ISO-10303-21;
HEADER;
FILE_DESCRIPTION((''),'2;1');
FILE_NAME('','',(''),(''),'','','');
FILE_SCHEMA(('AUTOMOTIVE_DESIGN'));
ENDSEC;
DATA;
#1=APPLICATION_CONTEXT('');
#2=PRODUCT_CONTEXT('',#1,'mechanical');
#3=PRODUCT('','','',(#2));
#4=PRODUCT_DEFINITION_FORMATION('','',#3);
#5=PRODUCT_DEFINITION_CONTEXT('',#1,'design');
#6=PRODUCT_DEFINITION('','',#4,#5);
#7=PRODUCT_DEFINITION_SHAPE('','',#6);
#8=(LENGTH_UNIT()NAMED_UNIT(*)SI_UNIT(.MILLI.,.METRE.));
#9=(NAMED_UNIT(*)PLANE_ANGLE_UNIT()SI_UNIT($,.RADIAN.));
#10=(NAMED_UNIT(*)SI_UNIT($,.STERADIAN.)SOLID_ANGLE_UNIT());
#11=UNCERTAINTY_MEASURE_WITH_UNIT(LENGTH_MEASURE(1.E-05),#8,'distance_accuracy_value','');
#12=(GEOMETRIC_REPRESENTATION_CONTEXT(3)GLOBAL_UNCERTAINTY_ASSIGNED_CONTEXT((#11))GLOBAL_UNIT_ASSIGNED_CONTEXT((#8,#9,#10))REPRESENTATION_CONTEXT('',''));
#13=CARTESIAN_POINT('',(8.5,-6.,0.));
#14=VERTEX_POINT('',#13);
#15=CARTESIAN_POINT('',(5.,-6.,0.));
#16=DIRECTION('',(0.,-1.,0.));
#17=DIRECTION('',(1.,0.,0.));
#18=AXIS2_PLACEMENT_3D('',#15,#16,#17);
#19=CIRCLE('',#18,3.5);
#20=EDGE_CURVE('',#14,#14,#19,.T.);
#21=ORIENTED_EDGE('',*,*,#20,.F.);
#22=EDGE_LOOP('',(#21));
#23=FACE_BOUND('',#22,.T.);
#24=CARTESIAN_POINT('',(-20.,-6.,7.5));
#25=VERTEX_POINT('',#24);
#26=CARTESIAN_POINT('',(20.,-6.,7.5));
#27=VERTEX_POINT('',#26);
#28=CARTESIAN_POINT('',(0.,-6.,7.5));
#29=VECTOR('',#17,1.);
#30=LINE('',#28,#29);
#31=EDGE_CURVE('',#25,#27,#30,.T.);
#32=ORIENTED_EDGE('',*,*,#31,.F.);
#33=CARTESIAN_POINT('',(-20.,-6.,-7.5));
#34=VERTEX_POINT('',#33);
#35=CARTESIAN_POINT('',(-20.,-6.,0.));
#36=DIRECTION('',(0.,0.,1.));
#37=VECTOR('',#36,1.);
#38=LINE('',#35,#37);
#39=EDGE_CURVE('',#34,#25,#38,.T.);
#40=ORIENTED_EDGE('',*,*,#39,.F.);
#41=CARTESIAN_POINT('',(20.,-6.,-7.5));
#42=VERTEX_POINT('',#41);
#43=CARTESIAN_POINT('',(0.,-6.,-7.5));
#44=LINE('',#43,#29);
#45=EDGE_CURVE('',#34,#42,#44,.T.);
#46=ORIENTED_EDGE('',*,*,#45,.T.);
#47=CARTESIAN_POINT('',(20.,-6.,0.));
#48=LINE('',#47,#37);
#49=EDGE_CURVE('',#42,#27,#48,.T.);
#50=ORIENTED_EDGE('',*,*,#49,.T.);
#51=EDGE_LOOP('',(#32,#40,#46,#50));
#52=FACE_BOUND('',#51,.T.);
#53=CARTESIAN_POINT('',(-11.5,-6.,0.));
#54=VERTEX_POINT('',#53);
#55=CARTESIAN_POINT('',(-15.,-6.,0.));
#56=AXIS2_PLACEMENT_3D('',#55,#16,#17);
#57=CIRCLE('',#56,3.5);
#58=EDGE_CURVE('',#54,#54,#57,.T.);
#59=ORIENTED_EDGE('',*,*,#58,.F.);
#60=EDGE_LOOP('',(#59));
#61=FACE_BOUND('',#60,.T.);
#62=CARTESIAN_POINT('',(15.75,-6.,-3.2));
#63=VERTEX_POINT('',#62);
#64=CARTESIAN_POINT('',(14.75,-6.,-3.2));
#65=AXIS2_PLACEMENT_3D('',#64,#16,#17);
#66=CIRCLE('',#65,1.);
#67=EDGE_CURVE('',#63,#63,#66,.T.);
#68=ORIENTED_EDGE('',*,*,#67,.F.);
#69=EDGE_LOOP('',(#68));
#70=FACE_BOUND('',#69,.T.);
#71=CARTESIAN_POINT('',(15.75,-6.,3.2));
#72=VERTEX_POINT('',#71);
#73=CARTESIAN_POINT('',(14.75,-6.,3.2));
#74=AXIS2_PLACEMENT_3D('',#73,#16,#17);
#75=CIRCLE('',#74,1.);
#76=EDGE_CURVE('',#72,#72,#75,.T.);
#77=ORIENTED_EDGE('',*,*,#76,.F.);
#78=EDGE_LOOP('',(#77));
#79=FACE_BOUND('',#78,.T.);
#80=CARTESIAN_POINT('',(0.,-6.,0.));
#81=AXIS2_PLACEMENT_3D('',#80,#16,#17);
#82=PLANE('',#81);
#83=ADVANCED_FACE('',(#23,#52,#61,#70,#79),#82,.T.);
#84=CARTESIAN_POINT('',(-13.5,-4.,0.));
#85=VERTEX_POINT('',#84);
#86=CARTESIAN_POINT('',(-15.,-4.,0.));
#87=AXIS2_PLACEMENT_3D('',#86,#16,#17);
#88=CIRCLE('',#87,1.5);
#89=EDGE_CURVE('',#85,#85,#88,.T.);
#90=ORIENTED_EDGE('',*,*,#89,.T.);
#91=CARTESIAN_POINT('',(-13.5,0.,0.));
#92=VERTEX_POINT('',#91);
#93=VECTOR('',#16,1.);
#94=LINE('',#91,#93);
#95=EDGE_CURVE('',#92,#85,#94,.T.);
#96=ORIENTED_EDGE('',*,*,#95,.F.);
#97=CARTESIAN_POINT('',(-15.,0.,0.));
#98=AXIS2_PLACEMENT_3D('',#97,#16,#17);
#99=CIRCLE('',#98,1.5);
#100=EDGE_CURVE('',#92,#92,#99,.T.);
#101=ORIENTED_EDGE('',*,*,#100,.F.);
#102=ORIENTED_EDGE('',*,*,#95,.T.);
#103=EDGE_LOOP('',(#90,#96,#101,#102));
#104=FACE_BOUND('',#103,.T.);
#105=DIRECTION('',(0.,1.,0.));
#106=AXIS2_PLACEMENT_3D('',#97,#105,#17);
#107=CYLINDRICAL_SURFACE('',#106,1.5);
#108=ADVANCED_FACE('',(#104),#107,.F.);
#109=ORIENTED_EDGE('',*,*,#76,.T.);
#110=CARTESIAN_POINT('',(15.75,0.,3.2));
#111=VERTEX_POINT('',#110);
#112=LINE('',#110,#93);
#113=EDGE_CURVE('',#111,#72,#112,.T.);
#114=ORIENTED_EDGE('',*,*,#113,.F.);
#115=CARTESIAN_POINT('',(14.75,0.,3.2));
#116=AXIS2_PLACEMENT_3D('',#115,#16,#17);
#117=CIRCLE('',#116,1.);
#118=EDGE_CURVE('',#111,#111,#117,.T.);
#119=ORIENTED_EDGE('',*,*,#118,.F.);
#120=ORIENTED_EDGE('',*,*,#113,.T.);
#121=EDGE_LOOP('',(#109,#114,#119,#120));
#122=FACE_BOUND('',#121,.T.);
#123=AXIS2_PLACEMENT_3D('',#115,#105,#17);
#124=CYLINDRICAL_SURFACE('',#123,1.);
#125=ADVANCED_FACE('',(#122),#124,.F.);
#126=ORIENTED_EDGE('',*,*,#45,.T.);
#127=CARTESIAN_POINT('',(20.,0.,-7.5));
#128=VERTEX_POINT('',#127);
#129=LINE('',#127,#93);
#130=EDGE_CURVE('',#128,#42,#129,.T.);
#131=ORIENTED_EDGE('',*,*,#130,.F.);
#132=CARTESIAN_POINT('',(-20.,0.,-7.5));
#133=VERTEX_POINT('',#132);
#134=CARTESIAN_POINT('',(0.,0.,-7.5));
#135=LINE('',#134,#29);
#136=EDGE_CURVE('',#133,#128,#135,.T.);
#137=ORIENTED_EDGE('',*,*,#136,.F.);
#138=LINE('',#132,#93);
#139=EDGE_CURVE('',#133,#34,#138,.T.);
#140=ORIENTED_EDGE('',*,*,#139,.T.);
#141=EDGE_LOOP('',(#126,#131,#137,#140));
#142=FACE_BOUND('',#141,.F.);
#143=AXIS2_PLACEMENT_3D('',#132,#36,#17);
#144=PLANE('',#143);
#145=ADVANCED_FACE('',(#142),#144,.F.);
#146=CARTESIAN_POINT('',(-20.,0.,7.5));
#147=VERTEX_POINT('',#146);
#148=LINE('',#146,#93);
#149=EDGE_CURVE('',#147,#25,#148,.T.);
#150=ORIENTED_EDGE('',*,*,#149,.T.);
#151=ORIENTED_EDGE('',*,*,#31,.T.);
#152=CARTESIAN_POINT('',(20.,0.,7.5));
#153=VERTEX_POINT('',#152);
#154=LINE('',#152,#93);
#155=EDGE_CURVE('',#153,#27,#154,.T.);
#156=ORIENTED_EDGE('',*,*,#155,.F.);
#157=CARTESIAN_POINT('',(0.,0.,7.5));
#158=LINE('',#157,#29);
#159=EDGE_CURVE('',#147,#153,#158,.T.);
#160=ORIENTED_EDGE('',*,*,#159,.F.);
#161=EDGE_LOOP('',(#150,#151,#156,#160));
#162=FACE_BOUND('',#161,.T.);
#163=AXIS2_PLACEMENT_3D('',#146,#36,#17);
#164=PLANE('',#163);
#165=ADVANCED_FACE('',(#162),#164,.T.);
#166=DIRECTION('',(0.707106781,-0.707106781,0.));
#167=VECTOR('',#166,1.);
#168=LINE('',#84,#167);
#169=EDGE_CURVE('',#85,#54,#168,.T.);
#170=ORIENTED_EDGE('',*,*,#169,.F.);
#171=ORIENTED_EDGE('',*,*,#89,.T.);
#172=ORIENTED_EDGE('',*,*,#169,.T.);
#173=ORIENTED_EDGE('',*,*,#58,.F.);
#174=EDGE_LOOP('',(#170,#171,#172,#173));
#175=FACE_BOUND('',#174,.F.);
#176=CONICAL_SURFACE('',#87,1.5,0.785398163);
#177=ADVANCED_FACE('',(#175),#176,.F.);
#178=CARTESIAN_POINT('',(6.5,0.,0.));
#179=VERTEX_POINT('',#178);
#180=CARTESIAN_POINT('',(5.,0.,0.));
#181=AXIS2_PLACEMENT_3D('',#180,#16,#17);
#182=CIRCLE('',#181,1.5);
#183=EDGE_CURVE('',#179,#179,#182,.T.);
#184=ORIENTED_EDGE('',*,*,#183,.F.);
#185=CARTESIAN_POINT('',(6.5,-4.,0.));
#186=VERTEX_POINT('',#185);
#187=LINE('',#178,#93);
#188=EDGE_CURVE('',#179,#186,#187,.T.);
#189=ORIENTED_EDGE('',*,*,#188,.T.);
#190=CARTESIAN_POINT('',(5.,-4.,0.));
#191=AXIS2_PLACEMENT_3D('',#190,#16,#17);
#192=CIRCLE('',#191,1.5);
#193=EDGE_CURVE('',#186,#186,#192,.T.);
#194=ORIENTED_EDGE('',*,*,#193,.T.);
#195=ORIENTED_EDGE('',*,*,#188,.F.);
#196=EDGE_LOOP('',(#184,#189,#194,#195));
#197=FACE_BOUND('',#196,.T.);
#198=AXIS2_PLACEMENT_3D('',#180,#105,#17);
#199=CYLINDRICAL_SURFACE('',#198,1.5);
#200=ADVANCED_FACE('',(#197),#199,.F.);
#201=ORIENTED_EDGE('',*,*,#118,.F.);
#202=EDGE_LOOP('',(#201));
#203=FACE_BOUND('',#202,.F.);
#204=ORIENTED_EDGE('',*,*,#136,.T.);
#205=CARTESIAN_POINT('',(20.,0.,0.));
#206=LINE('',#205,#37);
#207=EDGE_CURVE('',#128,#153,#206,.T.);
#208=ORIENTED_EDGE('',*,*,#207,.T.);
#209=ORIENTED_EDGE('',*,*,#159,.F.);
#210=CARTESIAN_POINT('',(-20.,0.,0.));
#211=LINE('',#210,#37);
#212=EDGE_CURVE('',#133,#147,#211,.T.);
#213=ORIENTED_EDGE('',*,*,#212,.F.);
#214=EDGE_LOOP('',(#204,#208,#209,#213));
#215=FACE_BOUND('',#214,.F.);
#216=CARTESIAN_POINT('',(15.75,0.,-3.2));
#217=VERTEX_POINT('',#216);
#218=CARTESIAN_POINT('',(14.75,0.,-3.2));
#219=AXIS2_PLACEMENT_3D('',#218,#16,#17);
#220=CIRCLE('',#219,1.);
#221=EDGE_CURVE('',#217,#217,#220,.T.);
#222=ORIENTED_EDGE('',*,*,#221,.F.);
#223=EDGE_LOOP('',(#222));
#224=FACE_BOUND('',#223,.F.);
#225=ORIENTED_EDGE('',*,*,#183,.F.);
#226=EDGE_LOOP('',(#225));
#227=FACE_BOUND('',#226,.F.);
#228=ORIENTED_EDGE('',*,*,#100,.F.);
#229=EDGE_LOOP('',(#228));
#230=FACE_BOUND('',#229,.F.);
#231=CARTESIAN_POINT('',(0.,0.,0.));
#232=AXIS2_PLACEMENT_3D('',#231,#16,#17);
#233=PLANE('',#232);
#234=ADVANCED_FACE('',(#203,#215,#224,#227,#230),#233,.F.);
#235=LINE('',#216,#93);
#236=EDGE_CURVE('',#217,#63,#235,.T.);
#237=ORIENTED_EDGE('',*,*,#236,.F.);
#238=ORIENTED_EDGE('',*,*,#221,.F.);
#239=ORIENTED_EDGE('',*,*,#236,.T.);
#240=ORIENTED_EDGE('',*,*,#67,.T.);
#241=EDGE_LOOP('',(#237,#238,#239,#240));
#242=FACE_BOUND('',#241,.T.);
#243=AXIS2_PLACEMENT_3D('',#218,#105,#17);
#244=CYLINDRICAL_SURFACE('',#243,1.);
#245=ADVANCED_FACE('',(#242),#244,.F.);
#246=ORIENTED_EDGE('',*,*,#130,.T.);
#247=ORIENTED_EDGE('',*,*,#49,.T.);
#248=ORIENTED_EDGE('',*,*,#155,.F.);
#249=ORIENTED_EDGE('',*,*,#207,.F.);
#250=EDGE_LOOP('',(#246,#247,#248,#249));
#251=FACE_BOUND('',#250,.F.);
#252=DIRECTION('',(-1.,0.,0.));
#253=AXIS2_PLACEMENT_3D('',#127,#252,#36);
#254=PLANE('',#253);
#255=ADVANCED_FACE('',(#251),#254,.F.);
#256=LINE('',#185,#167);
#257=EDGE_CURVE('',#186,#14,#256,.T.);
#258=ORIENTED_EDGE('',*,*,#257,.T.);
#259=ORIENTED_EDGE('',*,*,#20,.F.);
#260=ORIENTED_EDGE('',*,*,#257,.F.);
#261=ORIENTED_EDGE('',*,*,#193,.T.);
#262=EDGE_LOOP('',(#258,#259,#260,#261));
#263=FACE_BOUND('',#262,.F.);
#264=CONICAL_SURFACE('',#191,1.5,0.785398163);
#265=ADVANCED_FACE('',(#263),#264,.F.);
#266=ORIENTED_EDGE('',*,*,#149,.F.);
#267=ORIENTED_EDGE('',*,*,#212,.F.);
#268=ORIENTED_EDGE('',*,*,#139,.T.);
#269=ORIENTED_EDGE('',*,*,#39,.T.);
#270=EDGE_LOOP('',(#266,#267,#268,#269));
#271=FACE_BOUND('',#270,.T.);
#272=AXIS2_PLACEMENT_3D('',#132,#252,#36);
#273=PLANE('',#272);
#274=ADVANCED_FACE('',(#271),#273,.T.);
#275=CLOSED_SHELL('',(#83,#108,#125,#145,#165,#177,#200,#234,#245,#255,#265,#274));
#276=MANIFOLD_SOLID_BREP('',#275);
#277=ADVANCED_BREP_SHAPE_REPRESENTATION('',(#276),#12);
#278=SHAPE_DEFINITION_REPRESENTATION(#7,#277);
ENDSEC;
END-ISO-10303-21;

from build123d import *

# Parameters (mm, degrees)
F0_W     = 40
F0_H     = 15
F0_R     = 1
F0_R_2   = 1.5
F1_DEPTH = 6
F2_SIZE  = 2


with BuildPart() as f1:
    # F0 (on Front) → F1 (new body)
    with BuildSketch(Plane.XZ):
        Rectangle(F0_W, F0_H)
        with Locations((14.75, -3.2)):
            Circle(F0_R, mode=Mode.SUBTRACT)
        with Locations((-15, 0)):
            Circle(F0_R_2, mode=Mode.SUBTRACT)
        with Locations((5, 0)):
            Circle(F0_R_2, mode=Mode.SUBTRACT)
        with Locations((14.75, 3.2)):
            Circle(F0_R, mode=Mode.SUBTRACT)
    extrude(amount=F1_DEPTH)

    # F2
    f2_edges = [f1.edges().sort_by_distance(p)[0] for p in [
        (-16.5, -6, 0),
        (3.5, -6, 0),
    ]]
    chamfer(f2_edges, length=F2_SIZE)


solid = f1.part
